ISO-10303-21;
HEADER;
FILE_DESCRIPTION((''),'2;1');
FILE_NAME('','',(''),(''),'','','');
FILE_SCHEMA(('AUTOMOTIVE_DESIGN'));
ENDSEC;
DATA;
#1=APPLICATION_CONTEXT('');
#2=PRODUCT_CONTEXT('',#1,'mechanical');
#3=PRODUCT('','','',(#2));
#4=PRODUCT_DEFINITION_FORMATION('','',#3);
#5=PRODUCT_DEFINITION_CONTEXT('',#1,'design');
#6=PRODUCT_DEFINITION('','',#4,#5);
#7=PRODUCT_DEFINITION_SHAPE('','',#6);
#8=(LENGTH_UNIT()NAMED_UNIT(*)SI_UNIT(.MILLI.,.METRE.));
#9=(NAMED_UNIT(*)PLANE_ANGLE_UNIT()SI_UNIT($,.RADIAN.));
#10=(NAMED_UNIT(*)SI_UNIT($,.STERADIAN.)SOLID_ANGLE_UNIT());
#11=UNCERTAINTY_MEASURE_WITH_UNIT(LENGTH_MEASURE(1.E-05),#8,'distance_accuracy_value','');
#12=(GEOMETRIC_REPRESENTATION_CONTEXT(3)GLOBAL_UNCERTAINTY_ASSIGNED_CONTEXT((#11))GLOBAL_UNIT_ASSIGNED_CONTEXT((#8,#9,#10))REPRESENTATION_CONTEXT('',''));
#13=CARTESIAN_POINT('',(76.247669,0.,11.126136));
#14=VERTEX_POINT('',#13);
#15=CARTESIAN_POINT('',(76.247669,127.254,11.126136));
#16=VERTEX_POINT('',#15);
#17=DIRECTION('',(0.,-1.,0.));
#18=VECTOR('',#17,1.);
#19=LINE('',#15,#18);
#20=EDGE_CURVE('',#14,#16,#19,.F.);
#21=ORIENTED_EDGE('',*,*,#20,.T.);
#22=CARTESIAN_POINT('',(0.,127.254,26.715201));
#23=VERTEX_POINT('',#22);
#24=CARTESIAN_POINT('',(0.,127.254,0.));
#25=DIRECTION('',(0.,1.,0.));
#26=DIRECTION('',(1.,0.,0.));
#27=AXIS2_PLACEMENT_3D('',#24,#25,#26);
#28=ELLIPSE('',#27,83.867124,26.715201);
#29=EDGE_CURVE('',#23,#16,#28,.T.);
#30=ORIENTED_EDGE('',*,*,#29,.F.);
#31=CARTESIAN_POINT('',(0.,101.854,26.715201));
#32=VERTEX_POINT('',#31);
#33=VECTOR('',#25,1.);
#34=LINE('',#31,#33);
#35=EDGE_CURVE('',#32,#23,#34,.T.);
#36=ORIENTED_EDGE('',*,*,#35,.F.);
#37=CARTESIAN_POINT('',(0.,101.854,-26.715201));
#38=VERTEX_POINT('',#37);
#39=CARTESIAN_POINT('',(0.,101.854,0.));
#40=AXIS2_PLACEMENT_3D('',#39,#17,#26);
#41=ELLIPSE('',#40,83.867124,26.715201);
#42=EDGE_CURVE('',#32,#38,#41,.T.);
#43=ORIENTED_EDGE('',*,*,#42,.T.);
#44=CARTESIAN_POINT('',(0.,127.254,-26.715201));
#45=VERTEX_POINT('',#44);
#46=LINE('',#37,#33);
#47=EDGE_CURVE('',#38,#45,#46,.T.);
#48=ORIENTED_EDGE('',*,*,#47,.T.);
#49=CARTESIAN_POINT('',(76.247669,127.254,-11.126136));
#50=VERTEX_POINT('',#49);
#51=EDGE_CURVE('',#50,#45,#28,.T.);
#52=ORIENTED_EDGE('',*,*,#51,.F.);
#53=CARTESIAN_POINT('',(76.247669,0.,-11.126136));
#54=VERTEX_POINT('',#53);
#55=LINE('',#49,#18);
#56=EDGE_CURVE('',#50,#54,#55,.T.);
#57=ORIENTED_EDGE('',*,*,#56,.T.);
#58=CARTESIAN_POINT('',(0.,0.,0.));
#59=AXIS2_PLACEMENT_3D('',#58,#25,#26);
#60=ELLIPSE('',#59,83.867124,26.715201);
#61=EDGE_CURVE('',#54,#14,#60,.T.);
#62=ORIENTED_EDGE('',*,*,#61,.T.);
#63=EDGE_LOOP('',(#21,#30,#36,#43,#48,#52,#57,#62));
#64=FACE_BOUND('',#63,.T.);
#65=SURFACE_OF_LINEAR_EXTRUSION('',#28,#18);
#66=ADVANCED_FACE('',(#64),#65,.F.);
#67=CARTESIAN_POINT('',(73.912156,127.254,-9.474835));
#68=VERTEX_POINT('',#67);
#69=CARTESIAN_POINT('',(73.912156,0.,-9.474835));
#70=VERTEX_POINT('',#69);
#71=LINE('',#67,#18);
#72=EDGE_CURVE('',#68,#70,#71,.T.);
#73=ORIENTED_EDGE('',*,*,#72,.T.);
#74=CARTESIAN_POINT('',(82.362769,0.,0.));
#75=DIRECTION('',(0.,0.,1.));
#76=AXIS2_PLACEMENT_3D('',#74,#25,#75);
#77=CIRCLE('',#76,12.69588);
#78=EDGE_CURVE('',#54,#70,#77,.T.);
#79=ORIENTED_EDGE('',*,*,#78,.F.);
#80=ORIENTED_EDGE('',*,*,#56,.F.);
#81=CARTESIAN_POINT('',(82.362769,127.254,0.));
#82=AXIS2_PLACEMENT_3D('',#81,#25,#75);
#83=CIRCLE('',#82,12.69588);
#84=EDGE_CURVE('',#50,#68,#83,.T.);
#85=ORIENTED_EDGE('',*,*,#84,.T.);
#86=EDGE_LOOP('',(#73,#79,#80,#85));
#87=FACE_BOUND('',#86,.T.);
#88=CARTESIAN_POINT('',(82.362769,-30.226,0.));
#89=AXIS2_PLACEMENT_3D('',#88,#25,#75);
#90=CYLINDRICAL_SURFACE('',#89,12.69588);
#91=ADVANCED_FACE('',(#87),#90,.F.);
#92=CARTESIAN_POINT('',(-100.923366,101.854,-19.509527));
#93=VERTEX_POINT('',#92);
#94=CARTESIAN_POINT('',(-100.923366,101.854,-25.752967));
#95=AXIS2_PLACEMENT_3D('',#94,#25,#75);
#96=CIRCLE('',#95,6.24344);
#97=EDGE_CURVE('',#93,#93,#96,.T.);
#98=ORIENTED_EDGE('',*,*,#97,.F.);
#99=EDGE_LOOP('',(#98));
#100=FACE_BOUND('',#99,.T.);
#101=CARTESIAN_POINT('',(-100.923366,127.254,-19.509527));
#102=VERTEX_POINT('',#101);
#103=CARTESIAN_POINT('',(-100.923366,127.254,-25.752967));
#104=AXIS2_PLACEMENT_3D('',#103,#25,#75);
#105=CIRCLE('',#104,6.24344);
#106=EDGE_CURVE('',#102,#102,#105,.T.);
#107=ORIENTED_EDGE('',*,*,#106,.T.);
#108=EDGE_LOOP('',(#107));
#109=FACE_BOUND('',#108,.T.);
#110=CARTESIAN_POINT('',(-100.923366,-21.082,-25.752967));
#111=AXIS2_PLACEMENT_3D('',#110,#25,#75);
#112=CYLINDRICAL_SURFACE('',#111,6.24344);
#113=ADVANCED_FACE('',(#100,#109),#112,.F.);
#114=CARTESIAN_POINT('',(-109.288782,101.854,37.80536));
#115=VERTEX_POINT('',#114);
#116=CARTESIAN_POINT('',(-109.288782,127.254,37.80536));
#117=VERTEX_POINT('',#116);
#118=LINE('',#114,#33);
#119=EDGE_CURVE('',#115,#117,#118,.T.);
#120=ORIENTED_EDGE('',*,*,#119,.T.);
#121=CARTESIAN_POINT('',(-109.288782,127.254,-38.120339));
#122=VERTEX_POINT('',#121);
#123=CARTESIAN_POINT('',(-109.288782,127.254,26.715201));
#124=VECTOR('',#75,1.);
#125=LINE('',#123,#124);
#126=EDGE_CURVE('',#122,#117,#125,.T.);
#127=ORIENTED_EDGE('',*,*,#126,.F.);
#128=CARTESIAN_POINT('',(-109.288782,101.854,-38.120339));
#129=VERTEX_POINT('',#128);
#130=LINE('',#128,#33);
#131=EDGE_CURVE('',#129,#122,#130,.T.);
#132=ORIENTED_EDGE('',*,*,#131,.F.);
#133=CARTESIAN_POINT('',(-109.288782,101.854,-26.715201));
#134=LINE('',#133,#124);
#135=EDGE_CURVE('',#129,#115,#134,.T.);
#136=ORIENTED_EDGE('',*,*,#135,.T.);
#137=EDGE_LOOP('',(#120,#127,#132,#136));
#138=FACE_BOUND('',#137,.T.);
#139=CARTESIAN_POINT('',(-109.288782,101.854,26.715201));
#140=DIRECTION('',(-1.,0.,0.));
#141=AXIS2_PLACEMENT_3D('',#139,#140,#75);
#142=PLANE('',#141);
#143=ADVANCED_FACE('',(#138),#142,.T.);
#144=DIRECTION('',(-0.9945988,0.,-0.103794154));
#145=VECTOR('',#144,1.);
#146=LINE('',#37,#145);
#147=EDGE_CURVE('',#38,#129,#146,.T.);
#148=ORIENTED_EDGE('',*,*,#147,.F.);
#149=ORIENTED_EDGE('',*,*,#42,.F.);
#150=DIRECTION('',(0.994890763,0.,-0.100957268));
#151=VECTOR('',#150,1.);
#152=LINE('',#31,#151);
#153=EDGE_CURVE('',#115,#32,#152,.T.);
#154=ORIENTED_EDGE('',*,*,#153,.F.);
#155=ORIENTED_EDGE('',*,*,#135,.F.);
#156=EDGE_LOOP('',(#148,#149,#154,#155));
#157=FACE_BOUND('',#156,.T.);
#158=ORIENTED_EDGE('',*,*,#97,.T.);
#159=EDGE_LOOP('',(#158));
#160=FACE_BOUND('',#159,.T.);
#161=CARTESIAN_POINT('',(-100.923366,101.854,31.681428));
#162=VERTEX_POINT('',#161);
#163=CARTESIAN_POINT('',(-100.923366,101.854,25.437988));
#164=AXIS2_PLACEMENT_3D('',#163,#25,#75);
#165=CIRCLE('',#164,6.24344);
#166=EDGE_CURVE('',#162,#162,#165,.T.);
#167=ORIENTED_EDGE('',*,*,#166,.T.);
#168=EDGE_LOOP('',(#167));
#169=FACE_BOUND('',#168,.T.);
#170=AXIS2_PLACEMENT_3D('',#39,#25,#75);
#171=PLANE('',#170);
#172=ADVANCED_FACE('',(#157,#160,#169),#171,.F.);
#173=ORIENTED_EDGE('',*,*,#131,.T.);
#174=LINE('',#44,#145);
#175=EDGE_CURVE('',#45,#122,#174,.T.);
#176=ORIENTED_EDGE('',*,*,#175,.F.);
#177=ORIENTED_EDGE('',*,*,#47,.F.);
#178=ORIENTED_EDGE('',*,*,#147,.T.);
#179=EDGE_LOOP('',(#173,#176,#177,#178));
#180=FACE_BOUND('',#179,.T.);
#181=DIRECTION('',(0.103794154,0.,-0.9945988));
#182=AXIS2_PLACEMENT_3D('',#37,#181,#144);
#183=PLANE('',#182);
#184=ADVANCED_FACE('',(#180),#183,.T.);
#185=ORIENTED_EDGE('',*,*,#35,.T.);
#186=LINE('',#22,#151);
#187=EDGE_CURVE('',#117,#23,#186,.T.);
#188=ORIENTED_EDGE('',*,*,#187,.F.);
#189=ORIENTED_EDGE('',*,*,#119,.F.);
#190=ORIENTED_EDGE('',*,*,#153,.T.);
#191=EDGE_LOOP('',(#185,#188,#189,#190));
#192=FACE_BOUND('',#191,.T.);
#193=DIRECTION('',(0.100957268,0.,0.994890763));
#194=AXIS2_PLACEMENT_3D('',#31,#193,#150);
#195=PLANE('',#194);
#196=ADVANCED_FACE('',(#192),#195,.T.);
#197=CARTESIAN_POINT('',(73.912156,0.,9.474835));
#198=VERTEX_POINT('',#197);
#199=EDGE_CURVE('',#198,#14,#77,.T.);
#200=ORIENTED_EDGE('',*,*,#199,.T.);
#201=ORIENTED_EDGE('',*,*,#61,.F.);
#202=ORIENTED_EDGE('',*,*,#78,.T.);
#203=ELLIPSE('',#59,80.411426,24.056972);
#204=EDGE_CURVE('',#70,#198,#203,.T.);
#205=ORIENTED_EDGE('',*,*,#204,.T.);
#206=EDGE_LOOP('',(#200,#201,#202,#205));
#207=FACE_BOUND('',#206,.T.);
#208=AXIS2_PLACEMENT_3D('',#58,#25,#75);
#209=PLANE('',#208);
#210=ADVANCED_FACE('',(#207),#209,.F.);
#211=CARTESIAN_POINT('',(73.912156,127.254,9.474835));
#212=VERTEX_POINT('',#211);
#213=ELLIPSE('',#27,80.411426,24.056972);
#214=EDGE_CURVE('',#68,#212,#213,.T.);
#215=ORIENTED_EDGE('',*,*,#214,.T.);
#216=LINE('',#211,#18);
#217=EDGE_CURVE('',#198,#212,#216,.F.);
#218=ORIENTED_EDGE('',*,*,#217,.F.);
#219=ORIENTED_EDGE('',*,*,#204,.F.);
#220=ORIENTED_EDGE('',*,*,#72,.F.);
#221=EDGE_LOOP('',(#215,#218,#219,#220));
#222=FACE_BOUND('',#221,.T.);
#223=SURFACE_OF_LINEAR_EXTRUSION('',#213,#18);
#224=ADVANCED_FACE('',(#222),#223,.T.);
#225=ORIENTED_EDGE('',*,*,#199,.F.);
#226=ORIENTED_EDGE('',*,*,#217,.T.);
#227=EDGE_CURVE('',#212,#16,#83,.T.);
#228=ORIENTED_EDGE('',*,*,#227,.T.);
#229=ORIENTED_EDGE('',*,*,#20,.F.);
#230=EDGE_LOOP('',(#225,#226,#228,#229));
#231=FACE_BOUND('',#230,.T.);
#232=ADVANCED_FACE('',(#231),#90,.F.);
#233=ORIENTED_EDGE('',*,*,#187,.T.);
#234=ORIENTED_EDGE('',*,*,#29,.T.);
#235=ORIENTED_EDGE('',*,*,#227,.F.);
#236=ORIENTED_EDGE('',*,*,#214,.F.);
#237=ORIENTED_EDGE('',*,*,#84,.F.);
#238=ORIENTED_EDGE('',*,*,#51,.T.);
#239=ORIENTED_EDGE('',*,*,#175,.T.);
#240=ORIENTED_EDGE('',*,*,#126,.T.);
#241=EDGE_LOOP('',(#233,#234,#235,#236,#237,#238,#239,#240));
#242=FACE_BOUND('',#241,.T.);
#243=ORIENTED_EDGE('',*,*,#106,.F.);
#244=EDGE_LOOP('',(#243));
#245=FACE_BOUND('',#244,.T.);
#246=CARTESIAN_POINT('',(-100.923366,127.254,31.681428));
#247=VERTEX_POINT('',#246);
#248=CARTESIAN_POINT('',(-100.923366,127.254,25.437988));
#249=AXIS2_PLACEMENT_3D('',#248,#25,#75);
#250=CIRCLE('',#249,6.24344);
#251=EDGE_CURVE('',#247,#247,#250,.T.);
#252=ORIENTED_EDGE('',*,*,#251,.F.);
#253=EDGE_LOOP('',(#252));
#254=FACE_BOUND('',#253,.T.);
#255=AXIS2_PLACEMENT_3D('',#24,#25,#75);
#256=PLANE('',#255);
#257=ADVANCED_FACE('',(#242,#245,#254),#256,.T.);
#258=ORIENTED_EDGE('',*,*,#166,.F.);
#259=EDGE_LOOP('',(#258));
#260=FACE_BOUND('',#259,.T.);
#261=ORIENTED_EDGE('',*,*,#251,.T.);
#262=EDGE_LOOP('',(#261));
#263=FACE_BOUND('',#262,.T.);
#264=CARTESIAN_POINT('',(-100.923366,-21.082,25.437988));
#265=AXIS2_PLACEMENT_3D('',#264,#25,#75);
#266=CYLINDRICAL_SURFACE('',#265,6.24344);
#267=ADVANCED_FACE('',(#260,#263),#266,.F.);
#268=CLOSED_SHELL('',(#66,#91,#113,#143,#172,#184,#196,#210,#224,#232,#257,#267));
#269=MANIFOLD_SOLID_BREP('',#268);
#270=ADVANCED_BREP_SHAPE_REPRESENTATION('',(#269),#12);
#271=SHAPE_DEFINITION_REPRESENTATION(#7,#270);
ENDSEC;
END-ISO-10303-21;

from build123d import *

# Parameters (mm, degrees)
SKETCH1_RX          = 83.867123974
SKETCH1_RY          = 26.715201139
SKETCH1_RX_2        = 80.411426315
SKETCH1_RY_2        = 24.05697217
BOSS_EXTRUDE1_DEPTH = 127.254
SKETCH2_R           = 12.695879526
CUT_EXTRUDE1_DEPTH  = 157.48
BOSS_EXTRUDE2_DEPTH = 25.4
SKETCH5_R           = 6.243439839
CUT_EXTRUDE2_DEPTH  = 148.336


with BuildPart() as part:
    # Sketch1 → Boss-Extrude1 (new body)
    with BuildSketch(Plane(origin=(0, 0, 0), x_dir=(1, 0, 0), z_dir=(0, 1, 0))):
        with Locations((0, 0)):
            Ellipse(SKETCH1_RX, SKETCH1_RY)
        with Locations((0, 0)):
            Ellipse(SKETCH1_RX_2, SKETCH1_RY_2, mode=Mode.SUBTRACT)
    extrude(amount=BOSS_EXTRUDE1_DEPTH)

    # Sketch2 → Cut-Extrude1 (cut)
    with BuildSketch(Plane(origin=(0, 127.254, 0), x_dir=(1, 0, 0), z_dir=(0, 1, 0))):
        with Locations((82.362769104, 0)):
            Circle(SKETCH2_R)
    extrude(amount=-CUT_EXTRUDE1_DEPTH, mode=Mode.SUBTRACT)

    # Sketch4 → Boss-Extrude2 (add)
    with BuildSketch(Plane(origin=(0, 127.254, 0), x_dir=(1, 0, 0), z_dir=(0, 1, 0))):
        with BuildLine():
            Line((-109.288782468, 26.715201139), (-109.288782468, -26.715201139))
            Line((-109.288782468, -26.715201139), (-109.288782468, -37.805360258))
            Line((-109.288782468, -37.805360258), (0, -26.715201139))
            add(Edge.make_bspline(
                [(0, 26.715201139), (-83.867123974, 26.715201139), (-83.867123974, 0), (-83.867123974, -26.715201139), (0, -26.715201139)],
                knots=[1.570796327, 1.570796327, 1.570796327, 3.141592654, 3.141592654, 4.71238898, 4.71238898, 4.71238898], degree=2, weights=[1, 0.707106781, 1, 0.707106781, 1]))
            Line((0, 26.715201139), (-109.288782468, 38.120339295))
            Line((-109.288782468, 38.120339295), (-109.288782468, 26.715201139))
        make_face()
    extrude(amount=-BOSS_EXTRUDE2_DEPTH)

    # Sketch5 → Cut-Extrude2 (cut)
    with BuildSketch(Plane(origin=(0, 127.254, 0), x_dir=(1, 0, 0), z_dir=(0, 1, 0))):
        with Locations(Location((-100.92336604, 25.752966871, 0), (0, 0, 270))):
            Circle(SKETCH5_R)
        with Locations(Location((-100.92336604, -25.437987834, 0), (0, 0, 270))):
            Circle(SKETCH5_R)
    extrude(amount=-CUT_EXTRUDE2_DEPTH, mode=Mode.SUBTRACT)


solid = part.part
